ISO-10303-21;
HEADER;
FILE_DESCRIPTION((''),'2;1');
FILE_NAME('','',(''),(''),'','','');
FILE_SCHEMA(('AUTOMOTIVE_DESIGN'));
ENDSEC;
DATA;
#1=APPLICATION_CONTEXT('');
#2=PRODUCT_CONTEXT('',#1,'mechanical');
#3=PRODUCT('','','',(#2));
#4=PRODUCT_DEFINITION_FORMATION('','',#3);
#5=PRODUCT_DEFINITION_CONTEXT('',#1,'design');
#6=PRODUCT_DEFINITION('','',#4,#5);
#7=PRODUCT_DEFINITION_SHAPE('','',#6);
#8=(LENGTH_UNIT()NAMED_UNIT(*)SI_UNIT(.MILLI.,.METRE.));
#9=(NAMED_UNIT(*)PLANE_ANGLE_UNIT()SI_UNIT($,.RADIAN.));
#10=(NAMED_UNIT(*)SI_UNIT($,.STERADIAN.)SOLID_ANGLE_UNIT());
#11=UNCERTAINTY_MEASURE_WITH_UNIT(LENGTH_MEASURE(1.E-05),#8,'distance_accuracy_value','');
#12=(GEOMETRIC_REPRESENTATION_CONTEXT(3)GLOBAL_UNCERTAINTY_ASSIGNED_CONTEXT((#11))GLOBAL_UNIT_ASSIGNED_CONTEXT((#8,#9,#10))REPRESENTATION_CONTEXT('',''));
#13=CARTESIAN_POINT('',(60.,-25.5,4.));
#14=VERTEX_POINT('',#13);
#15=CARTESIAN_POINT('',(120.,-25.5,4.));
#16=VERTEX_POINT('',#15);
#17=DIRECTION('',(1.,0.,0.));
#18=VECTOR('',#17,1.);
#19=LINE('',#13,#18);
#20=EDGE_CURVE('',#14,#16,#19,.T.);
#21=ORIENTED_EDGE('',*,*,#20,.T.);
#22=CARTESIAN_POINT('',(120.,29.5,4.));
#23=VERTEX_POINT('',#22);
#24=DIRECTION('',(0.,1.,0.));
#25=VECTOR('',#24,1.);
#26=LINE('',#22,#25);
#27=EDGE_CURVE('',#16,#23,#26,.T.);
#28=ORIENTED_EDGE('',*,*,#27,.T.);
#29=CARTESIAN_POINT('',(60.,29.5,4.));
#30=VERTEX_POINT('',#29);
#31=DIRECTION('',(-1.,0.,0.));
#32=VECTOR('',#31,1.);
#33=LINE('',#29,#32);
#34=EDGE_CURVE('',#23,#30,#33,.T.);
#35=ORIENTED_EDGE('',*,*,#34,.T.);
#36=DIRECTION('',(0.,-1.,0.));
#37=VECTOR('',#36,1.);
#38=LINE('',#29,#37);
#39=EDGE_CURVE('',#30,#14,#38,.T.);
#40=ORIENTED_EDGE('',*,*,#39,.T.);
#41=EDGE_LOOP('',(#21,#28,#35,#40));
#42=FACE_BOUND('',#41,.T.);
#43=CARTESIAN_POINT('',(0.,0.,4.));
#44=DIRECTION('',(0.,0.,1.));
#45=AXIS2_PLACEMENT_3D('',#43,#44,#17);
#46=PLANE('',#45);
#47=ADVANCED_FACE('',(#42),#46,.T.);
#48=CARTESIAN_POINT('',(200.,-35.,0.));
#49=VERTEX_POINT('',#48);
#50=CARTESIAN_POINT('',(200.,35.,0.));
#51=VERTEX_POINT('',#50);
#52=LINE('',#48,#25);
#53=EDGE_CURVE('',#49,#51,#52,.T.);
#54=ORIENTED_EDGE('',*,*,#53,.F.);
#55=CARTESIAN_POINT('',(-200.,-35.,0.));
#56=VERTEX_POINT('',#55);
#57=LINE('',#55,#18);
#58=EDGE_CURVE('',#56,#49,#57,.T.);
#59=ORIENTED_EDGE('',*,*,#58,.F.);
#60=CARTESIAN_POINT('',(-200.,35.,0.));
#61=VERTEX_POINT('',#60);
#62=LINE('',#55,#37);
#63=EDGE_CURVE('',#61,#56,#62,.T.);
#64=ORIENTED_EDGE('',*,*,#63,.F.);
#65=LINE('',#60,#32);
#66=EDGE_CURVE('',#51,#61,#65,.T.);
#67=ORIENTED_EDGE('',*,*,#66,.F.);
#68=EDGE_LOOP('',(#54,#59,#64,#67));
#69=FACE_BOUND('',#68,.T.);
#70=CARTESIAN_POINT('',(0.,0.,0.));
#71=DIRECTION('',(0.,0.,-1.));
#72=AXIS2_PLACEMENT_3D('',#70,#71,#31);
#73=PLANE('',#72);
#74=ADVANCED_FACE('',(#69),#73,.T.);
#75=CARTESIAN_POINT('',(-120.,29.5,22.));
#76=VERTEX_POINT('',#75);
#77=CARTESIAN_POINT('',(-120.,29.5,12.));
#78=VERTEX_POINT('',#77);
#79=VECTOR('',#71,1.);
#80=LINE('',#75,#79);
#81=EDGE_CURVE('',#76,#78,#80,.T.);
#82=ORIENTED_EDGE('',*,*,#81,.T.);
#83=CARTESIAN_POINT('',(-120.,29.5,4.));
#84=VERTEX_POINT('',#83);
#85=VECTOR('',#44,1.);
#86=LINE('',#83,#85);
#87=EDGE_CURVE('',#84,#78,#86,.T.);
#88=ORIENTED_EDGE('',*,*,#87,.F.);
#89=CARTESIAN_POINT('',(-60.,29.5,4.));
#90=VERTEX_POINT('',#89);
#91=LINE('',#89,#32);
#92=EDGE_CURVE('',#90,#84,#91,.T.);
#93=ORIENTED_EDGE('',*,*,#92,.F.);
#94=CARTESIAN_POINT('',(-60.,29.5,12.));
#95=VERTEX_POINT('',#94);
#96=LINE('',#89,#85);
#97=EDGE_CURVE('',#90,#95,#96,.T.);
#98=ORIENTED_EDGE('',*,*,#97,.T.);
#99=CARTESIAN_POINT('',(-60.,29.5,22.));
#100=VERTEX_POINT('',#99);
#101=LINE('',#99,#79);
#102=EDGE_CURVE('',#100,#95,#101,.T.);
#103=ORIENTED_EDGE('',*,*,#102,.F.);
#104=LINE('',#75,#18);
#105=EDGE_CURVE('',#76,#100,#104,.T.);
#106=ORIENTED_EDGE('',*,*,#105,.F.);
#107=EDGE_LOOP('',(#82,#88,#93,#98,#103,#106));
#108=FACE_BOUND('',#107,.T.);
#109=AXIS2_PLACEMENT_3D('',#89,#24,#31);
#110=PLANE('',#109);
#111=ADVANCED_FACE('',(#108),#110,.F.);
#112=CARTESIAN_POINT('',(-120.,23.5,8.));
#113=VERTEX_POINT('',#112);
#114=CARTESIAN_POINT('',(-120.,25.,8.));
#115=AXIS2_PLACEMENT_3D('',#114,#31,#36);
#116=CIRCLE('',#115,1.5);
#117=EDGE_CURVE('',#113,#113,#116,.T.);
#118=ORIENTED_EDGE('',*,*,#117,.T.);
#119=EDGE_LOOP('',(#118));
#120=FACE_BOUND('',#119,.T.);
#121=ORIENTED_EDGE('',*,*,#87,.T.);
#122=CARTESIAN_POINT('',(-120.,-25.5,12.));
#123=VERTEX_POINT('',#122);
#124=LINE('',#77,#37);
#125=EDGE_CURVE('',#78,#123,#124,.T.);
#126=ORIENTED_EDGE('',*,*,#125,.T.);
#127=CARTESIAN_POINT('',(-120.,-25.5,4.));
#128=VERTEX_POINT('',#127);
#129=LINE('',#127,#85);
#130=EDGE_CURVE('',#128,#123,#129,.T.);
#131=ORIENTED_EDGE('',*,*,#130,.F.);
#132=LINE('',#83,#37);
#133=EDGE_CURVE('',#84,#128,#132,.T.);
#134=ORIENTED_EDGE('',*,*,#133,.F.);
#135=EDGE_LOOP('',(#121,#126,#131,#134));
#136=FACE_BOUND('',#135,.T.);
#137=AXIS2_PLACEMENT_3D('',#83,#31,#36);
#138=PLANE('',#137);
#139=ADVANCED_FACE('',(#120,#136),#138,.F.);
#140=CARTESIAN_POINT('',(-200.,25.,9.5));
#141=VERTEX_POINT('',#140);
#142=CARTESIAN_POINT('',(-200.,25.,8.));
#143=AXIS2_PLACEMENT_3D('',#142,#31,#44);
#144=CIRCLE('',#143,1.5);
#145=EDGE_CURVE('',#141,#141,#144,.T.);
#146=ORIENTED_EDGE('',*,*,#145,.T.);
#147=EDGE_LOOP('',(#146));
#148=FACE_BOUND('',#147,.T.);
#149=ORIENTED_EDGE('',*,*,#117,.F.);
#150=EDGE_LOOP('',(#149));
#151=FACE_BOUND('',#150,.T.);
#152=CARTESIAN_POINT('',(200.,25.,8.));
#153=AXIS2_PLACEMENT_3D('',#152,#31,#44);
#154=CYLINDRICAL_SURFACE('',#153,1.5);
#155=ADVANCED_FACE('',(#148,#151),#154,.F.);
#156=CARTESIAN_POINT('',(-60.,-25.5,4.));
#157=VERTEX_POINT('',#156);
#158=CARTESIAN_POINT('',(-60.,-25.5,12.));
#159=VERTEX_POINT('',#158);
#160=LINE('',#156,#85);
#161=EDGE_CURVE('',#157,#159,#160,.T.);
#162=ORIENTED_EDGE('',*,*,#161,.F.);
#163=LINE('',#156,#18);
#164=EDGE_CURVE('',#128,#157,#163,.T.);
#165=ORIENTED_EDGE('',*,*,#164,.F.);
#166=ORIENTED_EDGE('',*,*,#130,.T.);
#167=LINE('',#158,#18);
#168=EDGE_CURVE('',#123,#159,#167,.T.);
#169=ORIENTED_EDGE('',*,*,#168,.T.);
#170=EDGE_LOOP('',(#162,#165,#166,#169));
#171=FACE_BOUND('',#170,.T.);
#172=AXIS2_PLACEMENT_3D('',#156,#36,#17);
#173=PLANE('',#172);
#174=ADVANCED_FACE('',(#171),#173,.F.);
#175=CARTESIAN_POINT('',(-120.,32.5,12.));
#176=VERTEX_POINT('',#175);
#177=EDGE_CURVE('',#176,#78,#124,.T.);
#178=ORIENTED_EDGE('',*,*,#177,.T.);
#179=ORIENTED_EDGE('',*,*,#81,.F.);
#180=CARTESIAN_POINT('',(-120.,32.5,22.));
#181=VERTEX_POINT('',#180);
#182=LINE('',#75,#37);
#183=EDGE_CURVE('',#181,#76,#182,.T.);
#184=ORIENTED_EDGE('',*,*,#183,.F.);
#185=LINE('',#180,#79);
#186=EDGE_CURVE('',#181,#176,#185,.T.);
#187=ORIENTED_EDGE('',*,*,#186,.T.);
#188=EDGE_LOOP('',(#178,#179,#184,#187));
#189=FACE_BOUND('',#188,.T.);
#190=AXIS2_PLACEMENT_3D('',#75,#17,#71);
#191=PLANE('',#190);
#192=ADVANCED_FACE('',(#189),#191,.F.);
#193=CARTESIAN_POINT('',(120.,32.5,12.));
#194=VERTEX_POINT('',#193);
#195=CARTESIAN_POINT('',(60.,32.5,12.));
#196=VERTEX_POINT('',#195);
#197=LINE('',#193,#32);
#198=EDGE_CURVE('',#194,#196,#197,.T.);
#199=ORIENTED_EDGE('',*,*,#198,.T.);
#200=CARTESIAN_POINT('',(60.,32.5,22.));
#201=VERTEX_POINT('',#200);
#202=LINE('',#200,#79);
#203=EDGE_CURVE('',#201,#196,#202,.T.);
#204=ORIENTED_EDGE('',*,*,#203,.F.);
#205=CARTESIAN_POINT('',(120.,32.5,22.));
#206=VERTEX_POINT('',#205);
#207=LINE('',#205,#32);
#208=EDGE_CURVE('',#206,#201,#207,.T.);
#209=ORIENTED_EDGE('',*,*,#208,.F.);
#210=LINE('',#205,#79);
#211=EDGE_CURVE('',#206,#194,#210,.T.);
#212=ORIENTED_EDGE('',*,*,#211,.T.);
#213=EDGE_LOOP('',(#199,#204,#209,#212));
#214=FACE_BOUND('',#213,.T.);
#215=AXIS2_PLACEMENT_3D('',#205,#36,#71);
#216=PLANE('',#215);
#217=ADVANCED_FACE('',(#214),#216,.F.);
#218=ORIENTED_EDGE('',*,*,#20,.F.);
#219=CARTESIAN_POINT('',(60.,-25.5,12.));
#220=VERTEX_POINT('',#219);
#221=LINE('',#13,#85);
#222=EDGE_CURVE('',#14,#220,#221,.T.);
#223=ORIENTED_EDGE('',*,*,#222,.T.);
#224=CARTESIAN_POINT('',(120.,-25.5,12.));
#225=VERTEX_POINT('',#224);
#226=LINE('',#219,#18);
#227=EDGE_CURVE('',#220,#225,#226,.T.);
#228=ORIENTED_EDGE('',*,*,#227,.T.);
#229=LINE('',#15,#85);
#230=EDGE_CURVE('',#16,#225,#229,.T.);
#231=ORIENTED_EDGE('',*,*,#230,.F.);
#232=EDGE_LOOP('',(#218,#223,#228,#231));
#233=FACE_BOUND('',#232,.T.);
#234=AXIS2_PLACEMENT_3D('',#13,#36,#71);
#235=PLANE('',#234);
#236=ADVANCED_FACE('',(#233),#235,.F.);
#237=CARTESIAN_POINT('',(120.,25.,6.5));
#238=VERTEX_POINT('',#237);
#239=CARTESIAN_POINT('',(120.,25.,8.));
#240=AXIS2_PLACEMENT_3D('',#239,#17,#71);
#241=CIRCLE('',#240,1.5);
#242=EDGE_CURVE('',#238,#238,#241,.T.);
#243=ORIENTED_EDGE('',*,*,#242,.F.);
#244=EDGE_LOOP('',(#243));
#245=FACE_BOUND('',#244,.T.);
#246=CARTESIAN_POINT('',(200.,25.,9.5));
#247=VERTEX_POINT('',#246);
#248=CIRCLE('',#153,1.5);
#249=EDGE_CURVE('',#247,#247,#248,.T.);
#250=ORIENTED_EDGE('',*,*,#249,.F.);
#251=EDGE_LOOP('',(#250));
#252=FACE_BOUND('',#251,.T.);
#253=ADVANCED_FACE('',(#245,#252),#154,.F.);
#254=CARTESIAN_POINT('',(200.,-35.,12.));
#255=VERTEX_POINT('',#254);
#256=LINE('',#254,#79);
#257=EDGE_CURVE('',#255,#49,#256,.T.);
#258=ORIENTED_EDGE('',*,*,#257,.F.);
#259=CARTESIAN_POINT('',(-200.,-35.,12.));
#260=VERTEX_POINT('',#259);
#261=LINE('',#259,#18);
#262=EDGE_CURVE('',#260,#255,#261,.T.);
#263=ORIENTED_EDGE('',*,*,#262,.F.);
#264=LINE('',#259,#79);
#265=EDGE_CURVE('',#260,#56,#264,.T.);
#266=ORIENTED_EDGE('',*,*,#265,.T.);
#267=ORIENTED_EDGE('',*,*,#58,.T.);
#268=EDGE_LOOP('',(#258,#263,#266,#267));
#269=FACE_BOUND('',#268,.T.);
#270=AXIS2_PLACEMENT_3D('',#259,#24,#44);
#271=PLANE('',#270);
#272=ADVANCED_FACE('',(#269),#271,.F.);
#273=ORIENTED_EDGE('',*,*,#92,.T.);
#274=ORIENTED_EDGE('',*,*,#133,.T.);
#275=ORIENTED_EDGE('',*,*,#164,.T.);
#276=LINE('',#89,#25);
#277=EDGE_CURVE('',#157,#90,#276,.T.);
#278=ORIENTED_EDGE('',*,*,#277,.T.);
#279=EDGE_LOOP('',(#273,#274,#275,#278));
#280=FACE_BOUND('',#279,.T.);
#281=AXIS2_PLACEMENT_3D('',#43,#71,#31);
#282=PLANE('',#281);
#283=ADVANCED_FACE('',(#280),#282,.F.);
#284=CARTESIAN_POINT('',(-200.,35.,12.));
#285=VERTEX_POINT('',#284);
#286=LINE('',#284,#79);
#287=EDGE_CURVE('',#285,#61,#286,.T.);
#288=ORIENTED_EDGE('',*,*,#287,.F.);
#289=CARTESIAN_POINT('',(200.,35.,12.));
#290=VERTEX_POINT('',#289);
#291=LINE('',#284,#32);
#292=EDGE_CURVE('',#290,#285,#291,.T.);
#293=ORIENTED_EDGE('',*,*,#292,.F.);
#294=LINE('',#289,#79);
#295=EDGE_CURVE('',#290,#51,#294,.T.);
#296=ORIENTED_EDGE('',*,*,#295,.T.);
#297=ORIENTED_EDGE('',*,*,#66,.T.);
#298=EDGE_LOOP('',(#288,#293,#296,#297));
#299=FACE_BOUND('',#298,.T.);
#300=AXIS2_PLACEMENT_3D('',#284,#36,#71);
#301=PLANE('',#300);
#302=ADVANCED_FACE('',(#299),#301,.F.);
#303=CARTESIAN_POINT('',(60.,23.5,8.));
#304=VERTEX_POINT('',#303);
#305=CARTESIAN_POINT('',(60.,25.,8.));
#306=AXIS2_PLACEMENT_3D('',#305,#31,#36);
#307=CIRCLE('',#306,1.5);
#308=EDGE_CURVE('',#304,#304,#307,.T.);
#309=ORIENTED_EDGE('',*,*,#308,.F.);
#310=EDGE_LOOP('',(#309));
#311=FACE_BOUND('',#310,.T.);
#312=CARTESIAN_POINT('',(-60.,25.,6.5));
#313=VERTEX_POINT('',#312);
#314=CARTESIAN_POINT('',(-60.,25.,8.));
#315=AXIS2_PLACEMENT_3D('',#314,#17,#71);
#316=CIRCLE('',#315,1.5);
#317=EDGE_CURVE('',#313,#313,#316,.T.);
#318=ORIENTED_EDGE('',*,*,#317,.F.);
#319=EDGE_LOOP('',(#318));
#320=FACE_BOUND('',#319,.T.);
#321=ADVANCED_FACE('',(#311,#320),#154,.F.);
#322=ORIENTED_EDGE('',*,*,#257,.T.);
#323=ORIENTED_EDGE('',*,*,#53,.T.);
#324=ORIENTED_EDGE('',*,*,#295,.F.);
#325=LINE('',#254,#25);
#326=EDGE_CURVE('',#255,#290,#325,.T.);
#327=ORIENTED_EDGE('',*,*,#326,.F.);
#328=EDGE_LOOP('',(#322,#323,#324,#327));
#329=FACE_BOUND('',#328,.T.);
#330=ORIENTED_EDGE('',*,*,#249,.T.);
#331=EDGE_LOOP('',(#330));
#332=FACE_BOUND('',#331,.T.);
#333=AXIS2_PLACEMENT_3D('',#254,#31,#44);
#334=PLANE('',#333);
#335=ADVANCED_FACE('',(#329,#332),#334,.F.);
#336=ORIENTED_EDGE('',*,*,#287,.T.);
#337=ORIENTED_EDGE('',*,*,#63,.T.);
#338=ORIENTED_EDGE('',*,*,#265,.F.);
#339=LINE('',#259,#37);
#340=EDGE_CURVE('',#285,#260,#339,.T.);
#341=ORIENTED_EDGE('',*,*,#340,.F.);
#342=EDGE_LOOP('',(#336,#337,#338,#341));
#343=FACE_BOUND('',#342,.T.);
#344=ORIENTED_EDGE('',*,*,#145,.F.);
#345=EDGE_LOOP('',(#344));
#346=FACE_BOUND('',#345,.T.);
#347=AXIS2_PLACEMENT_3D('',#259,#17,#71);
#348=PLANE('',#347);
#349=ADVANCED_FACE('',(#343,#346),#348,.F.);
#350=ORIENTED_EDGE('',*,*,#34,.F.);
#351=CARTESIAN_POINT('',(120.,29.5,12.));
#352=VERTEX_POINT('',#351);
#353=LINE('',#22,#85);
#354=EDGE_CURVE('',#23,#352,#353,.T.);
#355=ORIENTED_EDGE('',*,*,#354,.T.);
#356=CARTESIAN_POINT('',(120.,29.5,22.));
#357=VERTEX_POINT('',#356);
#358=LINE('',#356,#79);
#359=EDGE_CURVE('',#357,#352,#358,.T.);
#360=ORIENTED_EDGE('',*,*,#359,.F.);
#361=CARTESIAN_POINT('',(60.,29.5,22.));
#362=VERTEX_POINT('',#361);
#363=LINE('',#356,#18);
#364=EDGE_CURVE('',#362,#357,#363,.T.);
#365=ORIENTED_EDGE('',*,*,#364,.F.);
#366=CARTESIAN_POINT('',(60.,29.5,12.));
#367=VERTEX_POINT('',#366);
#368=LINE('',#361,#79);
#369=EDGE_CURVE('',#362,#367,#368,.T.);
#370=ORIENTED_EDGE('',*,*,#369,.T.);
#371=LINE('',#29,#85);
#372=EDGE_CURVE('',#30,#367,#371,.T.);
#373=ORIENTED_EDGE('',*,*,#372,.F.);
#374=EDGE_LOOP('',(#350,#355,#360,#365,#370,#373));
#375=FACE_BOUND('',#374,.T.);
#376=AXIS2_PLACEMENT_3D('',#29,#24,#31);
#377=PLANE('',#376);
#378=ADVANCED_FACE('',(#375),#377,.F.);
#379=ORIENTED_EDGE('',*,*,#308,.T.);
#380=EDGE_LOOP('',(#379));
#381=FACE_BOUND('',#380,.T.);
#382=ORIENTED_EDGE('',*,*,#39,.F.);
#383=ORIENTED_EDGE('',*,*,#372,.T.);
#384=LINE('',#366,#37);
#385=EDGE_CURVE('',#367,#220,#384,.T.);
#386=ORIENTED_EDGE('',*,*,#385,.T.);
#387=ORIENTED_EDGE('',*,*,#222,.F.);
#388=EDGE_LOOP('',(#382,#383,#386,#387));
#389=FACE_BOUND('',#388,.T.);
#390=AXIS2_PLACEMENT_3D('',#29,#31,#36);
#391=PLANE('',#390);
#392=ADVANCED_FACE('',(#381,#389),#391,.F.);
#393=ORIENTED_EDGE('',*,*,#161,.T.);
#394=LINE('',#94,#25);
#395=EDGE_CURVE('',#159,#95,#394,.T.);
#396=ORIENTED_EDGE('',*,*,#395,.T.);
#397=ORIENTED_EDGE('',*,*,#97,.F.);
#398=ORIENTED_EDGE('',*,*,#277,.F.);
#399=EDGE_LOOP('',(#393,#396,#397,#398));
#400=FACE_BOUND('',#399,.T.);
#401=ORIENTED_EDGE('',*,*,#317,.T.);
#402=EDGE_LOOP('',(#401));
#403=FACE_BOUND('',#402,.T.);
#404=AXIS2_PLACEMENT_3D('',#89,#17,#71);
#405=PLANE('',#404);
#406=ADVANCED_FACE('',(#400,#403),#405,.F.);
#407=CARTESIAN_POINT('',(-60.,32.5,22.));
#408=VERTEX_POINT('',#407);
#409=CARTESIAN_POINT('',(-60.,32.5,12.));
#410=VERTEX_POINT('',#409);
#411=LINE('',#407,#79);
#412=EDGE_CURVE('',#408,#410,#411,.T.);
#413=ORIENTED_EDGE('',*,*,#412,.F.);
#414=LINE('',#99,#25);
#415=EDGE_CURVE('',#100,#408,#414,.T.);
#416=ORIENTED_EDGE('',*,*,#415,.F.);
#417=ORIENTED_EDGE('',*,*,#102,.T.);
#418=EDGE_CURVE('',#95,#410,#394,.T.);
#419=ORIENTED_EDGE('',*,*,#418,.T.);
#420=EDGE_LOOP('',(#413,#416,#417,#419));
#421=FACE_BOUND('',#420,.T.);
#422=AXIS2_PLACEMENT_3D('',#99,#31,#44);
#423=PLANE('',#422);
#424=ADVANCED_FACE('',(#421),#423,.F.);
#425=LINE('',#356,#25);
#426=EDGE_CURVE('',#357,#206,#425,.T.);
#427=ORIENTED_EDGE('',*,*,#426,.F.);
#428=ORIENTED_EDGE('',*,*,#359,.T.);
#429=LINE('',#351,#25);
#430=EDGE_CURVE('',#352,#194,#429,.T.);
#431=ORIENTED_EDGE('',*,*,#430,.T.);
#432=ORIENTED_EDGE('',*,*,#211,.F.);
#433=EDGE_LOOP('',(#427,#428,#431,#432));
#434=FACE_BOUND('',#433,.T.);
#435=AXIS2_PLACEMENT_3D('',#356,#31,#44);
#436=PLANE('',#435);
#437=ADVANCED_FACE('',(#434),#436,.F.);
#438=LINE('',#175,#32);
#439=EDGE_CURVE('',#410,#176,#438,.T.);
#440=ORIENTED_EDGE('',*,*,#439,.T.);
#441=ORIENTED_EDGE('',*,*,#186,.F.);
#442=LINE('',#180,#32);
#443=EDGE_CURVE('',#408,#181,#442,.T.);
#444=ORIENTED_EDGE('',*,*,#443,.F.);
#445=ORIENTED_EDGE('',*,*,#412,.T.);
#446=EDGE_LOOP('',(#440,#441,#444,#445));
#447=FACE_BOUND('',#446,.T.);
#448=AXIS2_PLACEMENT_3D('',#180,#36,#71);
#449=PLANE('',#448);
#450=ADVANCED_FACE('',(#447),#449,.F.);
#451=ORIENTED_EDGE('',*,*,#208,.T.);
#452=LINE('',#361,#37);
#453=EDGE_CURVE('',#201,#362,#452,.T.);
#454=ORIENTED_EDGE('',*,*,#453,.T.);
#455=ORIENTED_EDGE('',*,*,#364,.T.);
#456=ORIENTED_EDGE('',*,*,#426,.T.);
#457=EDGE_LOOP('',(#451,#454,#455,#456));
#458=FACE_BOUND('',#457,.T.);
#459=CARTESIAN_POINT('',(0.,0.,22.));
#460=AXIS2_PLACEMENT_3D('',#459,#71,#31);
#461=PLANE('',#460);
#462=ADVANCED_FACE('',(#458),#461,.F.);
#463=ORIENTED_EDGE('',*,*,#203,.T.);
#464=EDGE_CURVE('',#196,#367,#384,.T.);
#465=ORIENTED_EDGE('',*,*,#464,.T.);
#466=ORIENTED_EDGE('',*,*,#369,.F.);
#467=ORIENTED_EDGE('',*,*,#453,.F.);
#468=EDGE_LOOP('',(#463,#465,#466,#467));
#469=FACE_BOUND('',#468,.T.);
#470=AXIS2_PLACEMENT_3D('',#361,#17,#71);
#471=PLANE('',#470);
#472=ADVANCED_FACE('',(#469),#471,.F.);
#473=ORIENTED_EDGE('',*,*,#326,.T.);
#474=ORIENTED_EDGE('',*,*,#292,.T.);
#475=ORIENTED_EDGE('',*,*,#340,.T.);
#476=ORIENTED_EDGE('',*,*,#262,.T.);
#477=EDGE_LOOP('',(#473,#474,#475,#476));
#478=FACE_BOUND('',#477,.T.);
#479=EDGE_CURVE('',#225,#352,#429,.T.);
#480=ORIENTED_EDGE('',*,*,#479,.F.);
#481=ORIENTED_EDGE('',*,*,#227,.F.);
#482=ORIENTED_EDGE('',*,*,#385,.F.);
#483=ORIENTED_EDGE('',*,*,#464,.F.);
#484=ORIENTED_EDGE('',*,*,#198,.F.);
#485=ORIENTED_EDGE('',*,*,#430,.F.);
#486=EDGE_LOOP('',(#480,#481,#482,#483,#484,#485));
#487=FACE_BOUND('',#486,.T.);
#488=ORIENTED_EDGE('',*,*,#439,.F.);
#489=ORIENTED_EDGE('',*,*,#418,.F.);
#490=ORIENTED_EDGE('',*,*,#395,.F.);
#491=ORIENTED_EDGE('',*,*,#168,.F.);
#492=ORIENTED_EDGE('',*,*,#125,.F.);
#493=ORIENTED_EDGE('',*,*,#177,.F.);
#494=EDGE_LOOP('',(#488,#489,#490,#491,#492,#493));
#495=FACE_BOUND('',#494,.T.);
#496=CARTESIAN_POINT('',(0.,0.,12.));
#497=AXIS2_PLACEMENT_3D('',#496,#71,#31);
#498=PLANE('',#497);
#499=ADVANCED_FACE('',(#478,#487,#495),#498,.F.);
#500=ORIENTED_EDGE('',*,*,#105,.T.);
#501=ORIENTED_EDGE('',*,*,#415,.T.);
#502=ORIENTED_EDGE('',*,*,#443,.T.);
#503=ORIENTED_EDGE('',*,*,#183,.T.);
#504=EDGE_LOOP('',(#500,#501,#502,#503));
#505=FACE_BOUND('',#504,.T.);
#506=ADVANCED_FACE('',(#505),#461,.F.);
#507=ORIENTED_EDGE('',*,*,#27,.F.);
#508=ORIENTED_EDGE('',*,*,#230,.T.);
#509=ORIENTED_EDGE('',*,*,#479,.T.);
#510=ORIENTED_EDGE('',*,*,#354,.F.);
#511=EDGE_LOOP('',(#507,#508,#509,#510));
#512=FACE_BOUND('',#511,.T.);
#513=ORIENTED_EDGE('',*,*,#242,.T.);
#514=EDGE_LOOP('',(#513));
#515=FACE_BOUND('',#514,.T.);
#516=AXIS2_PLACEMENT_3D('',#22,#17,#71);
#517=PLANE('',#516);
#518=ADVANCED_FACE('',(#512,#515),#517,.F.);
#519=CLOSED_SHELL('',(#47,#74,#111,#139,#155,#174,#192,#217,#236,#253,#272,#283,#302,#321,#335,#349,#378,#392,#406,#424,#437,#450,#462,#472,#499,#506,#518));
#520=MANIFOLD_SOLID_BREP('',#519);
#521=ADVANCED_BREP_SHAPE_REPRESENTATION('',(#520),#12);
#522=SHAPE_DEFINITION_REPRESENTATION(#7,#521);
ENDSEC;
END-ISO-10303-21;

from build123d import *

# Parameters (mm, degrees)
SKETCH1_W           = 400
SKETCH1_H           = 70
BOSS_EXTRUDE1_DEPTH = 12
SKETCH3_W           = 60
SKETCH3_H           = 55
CUT_EXTRUDE1_DEPTH  = 8
SKETCH4_R           = 1.5
CUT_EXTRUDE2_DEPTH  = 401
SKETCH5_W           = 60
SKETCH5_H           = 3
BOSS_EXTRUDE2_DEPTH = 10


with BuildPart() as part:
    # Sketch1 → Boss-Extrude1 (new body)
    with BuildSketch(Plane.XY):
        Rectangle(SKETCH1_W, SKETCH1_H)
    extrude(amount=BOSS_EXTRUDE1_DEPTH)

    # Sketch3 → Cut-Extrude1 (cut)
    with BuildSketch(Plane.XY.offset(12)):
        with Locations((-90, 2)):
            Rectangle(SKETCH3_W, SKETCH3_H)
        with Locations((90, 2)):
            Rectangle(SKETCH3_W, SKETCH3_H)
    extrude(amount=-CUT_EXTRUDE1_DEPTH, mode=Mode.SUBTRACT)

    # Sketch4 → Cut-Extrude2 (cut, through all)
    with BuildSketch(Plane.ZY.offset(200)):
        with Locations((8, 25)):
            Circle(SKETCH4_R)
    extrude(amount=-CUT_EXTRUDE2_DEPTH, mode=Mode.SUBTRACT)

    # Sketch5 → Boss-Extrude2 (add)
    with BuildSketch(Plane.XY.offset(12)):
        with Locations((-90, 31)):
            Rectangle(SKETCH5_W, SKETCH5_H)
        with Locations((90, 31)):
            Rectangle(SKETCH5_W, SKETCH5_H)
    extrude(amount=BOSS_EXTRUDE2_DEPTH)


solid = part.part
